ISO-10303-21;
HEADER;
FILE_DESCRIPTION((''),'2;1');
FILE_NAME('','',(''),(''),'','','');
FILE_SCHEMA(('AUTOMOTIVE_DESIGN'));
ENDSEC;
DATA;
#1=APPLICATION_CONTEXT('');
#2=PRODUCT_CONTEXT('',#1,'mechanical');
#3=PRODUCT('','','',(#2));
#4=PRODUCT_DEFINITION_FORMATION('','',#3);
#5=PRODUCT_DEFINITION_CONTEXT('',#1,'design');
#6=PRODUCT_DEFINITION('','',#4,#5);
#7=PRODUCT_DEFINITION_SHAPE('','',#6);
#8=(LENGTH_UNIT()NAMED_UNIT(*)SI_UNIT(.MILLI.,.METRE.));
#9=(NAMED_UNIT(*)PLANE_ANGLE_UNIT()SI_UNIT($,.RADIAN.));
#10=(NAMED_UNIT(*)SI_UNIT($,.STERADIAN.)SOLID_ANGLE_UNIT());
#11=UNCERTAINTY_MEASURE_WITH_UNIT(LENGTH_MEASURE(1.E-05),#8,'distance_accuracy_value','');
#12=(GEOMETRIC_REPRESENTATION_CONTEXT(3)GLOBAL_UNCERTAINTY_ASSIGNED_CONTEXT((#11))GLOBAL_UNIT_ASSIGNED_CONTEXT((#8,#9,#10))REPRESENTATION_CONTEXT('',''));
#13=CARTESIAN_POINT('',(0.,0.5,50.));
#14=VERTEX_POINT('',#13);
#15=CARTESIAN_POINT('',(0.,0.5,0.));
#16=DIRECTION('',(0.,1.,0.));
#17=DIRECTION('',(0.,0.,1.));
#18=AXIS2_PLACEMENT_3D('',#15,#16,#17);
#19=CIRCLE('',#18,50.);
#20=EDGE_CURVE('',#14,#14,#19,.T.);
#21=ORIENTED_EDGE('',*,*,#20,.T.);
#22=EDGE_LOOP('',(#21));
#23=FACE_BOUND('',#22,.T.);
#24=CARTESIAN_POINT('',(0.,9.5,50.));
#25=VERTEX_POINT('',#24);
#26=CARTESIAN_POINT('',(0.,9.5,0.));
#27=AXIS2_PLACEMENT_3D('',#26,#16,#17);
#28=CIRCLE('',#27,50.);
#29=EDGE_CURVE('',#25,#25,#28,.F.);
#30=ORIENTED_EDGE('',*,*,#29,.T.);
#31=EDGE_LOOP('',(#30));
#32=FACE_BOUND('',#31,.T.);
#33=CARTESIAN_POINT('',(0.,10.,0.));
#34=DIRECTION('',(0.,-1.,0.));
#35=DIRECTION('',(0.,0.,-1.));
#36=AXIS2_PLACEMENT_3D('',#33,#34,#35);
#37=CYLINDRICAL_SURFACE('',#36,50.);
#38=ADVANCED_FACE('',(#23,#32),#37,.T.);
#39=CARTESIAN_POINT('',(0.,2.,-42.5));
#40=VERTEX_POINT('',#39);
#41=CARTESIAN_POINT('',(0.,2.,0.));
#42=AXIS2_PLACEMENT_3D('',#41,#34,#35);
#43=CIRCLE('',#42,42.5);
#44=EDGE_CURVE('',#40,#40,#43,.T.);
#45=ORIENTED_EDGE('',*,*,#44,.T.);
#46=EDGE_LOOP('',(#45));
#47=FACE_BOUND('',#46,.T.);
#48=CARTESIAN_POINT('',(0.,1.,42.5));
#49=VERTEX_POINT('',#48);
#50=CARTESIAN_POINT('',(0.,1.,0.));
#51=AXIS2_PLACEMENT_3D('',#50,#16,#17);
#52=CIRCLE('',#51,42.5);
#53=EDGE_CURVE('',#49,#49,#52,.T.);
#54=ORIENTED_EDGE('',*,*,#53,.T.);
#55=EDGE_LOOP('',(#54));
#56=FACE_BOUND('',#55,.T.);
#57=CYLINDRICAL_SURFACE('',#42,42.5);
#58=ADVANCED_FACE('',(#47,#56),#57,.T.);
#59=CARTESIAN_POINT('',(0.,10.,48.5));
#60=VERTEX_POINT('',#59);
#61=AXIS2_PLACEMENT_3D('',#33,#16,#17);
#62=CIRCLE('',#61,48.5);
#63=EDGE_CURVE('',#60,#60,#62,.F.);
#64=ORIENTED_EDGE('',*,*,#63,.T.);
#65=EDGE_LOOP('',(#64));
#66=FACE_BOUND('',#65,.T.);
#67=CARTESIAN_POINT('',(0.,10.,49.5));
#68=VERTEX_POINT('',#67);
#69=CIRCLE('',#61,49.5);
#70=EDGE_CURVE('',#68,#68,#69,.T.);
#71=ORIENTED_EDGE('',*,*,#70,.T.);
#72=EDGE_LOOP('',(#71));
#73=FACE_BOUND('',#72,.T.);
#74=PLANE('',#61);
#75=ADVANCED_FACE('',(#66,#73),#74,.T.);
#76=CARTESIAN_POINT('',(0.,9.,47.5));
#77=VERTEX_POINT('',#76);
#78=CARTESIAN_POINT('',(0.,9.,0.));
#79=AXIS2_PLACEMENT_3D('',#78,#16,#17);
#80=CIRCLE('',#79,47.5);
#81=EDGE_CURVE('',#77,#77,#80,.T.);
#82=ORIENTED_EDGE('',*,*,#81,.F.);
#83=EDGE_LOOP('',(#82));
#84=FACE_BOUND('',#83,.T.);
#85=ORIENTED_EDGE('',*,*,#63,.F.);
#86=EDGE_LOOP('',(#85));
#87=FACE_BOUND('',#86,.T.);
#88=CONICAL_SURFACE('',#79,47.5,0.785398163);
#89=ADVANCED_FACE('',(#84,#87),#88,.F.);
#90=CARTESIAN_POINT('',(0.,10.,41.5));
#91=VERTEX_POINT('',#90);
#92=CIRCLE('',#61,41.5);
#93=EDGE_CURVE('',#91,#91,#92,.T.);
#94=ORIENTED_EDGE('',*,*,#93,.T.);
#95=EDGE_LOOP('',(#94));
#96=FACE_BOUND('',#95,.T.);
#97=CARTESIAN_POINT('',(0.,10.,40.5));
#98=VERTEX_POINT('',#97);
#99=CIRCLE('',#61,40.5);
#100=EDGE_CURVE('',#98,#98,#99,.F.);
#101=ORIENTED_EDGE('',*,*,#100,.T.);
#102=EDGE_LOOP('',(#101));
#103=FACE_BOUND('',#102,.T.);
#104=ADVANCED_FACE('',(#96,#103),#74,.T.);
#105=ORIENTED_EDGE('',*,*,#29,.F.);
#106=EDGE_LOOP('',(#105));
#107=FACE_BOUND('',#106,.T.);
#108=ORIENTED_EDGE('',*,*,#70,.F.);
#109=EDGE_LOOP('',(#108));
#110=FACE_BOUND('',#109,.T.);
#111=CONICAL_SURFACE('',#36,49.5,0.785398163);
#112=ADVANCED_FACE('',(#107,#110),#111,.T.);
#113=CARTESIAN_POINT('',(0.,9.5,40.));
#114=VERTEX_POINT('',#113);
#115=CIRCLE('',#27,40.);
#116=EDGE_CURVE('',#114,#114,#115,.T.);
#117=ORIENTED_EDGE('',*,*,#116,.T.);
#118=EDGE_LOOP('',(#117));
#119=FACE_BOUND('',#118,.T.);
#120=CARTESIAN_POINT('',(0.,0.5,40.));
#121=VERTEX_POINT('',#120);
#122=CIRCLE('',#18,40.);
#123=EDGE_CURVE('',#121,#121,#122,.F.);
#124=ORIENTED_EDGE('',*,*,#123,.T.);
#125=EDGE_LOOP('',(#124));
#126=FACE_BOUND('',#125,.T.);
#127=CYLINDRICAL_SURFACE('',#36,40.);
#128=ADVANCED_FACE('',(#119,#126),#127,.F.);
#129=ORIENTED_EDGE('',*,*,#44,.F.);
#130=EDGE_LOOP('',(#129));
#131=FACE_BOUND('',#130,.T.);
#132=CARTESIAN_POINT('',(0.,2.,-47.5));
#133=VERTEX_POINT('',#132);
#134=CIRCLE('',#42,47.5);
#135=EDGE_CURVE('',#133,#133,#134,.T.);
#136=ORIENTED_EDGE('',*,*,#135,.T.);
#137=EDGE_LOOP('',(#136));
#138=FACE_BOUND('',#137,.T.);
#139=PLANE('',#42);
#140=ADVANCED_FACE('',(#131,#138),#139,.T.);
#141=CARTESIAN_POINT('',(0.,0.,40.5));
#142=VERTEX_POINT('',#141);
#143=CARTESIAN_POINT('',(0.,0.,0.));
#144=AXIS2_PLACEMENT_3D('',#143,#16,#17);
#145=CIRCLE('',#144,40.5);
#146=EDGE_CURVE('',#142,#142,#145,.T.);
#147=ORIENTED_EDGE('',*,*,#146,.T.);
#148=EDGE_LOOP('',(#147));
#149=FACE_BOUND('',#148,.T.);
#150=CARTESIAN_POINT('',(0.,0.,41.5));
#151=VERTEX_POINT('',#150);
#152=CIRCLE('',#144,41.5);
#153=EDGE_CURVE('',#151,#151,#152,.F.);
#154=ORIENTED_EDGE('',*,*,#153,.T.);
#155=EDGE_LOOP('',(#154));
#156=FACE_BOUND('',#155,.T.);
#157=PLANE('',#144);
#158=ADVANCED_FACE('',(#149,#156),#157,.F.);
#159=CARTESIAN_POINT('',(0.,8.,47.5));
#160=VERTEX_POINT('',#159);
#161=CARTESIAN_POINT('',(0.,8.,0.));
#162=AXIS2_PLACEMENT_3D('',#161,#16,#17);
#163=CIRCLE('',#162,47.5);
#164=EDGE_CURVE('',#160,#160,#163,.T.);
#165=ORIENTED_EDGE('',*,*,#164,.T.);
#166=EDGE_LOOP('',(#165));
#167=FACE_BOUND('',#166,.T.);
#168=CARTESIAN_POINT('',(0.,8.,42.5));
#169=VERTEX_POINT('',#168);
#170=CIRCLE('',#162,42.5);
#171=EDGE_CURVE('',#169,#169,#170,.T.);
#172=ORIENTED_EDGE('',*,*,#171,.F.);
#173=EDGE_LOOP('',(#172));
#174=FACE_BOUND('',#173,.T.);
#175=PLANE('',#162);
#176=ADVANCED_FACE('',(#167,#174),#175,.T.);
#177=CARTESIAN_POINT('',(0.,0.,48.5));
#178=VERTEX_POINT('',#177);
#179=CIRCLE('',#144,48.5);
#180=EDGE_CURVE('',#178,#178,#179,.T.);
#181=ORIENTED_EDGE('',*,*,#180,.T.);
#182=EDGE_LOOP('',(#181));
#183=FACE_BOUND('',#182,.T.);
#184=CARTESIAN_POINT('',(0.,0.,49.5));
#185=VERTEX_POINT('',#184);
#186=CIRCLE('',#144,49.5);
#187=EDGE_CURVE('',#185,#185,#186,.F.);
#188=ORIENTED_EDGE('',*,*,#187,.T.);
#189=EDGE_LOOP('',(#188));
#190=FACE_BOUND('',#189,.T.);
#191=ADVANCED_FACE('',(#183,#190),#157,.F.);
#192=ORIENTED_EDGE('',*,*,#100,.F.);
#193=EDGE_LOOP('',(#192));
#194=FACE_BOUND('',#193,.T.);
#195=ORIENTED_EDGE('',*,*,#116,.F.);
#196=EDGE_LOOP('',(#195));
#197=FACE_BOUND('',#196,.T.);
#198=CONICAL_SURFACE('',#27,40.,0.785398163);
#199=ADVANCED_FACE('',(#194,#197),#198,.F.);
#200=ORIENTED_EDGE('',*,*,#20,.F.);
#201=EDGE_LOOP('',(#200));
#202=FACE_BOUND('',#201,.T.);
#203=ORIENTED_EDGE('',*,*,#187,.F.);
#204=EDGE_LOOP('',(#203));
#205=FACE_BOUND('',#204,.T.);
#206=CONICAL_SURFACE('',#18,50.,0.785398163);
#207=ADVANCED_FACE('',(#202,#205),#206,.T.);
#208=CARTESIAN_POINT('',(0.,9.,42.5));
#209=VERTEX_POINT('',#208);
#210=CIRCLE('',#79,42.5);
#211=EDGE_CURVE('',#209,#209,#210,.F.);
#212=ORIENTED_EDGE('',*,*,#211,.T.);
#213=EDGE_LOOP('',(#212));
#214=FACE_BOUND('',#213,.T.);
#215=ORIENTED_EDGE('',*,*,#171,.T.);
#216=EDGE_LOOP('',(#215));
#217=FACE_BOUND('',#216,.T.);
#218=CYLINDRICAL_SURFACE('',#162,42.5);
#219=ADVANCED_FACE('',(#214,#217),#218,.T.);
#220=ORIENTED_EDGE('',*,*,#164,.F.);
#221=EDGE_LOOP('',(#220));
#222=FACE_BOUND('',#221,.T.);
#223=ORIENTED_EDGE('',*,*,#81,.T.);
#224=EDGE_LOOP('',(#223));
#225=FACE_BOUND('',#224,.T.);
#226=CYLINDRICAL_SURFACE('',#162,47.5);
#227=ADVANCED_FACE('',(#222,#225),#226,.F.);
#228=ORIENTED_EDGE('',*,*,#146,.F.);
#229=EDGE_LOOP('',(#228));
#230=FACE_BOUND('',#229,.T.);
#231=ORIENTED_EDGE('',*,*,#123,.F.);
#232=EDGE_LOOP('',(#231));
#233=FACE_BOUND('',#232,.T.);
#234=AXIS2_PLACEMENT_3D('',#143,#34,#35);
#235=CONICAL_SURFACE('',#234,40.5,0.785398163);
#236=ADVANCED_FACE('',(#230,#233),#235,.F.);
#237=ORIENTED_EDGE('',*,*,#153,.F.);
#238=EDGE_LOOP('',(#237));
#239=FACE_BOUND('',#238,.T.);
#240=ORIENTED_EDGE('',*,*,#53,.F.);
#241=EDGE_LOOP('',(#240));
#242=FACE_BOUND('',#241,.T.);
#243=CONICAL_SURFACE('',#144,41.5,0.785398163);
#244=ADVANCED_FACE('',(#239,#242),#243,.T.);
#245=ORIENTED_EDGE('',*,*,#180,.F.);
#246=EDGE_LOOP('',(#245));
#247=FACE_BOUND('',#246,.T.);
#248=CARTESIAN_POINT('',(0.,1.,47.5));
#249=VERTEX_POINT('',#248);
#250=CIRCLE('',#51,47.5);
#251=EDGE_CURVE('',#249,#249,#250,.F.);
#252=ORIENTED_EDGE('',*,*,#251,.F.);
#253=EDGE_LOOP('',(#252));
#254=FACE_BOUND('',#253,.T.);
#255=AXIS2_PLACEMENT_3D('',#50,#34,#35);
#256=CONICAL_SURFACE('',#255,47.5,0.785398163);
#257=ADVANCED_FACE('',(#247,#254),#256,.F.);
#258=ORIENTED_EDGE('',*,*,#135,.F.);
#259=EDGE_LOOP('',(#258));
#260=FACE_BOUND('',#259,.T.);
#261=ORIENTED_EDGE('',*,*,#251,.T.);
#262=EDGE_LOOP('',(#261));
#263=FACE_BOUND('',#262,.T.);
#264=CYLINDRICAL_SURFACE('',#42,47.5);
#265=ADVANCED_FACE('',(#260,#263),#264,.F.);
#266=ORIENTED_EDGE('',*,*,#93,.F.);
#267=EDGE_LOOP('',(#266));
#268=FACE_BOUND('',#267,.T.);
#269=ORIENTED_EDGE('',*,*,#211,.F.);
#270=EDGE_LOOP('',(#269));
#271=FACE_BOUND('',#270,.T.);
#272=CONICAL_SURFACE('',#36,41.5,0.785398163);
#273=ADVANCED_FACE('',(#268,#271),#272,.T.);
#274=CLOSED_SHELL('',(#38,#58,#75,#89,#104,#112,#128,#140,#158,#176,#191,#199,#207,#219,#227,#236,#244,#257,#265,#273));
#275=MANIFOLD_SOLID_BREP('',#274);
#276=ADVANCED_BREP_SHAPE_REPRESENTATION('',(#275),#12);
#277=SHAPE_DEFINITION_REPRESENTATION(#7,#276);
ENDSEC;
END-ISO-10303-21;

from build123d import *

# Parameters (mm, degrees)
SKETCH1_R           = 50
SKETCH1_R_2         = 40
BOSS_EXTRUDE1_DEPTH = 10
CHAMFER1_SIZE       = 0.5
SKETCH2_R           = 47.5
SKETCH2_R_2         = 42.5
CUT_EXTRUDE1_DEPTH  = 2
CHAMFER2_SIZE       = 1
SKETCH3_R           = 47.5
SKETCH3_R_2         = 42.5
CUT_EXTRUDE2_DEPTH  = 2
CHAMFER3_SIZE       = 1


with BuildPart() as part:
    # Sketch1 → Boss-Extrude1 (new body)
    with BuildSketch(Plane(origin=(0, 0, 0), x_dir=(1, 0, 0), z_dir=(0, 1, 0))):
        Circle(SKETCH1_R)
        Circle(SKETCH1_R_2, mode=Mode.SUBTRACT)
    extrude(amount=BOSS_EXTRUDE1_DEPTH)

    # Chamfer1
    chamfer1_edges = [part.edges().sort_by_distance(p)[0] for p in [
        (-50, 0, 0),
        (-50, 10, 0),
        (-40, 0, 0),
        (-40, 10, 0),
    ]]
    chamfer(chamfer1_edges, length=CHAMFER1_SIZE)

    # Sketch2 → Cut-Extrude1 (cut)
    with BuildSketch(Plane(origin=(0, 10, 0), x_dir=(1, 0, 0), z_dir=(0, 1, 0))):
        Circle(SKETCH2_R)
        Circle(SKETCH2_R_2, mode=Mode.SUBTRACT)
    extrude(amount=-CUT_EXTRUDE1_DEPTH, mode=Mode.SUBTRACT)

    # Chamfer2
    chamfer2_edges = [part.edges().sort_by_distance(p)[0] for p in [
        (-47.5, 10, 0),
        (-42.5, 10, 0),
    ]]
    chamfer(chamfer2_edges, length=CHAMFER2_SIZE)

    # Sketch3 → Cut-Extrude2 (cut)
    with BuildSketch(Plane.XZ):
        Circle(SKETCH3_R)
        Circle(SKETCH3_R_2, mode=Mode.SUBTRACT)
    extrude(amount=-CUT_EXTRUDE2_DEPTH, mode=Mode.SUBTRACT)

    # Chamfer3
    chamfer3_edges = [part.edges().sort_by_distance(p)[0] for p in [
        (-47.5, 0, 0),
        (-42.5, 0, 0),
    ]]
    chamfer(chamfer3_edges, length=CHAMFER3_SIZE)


solid = part.part
